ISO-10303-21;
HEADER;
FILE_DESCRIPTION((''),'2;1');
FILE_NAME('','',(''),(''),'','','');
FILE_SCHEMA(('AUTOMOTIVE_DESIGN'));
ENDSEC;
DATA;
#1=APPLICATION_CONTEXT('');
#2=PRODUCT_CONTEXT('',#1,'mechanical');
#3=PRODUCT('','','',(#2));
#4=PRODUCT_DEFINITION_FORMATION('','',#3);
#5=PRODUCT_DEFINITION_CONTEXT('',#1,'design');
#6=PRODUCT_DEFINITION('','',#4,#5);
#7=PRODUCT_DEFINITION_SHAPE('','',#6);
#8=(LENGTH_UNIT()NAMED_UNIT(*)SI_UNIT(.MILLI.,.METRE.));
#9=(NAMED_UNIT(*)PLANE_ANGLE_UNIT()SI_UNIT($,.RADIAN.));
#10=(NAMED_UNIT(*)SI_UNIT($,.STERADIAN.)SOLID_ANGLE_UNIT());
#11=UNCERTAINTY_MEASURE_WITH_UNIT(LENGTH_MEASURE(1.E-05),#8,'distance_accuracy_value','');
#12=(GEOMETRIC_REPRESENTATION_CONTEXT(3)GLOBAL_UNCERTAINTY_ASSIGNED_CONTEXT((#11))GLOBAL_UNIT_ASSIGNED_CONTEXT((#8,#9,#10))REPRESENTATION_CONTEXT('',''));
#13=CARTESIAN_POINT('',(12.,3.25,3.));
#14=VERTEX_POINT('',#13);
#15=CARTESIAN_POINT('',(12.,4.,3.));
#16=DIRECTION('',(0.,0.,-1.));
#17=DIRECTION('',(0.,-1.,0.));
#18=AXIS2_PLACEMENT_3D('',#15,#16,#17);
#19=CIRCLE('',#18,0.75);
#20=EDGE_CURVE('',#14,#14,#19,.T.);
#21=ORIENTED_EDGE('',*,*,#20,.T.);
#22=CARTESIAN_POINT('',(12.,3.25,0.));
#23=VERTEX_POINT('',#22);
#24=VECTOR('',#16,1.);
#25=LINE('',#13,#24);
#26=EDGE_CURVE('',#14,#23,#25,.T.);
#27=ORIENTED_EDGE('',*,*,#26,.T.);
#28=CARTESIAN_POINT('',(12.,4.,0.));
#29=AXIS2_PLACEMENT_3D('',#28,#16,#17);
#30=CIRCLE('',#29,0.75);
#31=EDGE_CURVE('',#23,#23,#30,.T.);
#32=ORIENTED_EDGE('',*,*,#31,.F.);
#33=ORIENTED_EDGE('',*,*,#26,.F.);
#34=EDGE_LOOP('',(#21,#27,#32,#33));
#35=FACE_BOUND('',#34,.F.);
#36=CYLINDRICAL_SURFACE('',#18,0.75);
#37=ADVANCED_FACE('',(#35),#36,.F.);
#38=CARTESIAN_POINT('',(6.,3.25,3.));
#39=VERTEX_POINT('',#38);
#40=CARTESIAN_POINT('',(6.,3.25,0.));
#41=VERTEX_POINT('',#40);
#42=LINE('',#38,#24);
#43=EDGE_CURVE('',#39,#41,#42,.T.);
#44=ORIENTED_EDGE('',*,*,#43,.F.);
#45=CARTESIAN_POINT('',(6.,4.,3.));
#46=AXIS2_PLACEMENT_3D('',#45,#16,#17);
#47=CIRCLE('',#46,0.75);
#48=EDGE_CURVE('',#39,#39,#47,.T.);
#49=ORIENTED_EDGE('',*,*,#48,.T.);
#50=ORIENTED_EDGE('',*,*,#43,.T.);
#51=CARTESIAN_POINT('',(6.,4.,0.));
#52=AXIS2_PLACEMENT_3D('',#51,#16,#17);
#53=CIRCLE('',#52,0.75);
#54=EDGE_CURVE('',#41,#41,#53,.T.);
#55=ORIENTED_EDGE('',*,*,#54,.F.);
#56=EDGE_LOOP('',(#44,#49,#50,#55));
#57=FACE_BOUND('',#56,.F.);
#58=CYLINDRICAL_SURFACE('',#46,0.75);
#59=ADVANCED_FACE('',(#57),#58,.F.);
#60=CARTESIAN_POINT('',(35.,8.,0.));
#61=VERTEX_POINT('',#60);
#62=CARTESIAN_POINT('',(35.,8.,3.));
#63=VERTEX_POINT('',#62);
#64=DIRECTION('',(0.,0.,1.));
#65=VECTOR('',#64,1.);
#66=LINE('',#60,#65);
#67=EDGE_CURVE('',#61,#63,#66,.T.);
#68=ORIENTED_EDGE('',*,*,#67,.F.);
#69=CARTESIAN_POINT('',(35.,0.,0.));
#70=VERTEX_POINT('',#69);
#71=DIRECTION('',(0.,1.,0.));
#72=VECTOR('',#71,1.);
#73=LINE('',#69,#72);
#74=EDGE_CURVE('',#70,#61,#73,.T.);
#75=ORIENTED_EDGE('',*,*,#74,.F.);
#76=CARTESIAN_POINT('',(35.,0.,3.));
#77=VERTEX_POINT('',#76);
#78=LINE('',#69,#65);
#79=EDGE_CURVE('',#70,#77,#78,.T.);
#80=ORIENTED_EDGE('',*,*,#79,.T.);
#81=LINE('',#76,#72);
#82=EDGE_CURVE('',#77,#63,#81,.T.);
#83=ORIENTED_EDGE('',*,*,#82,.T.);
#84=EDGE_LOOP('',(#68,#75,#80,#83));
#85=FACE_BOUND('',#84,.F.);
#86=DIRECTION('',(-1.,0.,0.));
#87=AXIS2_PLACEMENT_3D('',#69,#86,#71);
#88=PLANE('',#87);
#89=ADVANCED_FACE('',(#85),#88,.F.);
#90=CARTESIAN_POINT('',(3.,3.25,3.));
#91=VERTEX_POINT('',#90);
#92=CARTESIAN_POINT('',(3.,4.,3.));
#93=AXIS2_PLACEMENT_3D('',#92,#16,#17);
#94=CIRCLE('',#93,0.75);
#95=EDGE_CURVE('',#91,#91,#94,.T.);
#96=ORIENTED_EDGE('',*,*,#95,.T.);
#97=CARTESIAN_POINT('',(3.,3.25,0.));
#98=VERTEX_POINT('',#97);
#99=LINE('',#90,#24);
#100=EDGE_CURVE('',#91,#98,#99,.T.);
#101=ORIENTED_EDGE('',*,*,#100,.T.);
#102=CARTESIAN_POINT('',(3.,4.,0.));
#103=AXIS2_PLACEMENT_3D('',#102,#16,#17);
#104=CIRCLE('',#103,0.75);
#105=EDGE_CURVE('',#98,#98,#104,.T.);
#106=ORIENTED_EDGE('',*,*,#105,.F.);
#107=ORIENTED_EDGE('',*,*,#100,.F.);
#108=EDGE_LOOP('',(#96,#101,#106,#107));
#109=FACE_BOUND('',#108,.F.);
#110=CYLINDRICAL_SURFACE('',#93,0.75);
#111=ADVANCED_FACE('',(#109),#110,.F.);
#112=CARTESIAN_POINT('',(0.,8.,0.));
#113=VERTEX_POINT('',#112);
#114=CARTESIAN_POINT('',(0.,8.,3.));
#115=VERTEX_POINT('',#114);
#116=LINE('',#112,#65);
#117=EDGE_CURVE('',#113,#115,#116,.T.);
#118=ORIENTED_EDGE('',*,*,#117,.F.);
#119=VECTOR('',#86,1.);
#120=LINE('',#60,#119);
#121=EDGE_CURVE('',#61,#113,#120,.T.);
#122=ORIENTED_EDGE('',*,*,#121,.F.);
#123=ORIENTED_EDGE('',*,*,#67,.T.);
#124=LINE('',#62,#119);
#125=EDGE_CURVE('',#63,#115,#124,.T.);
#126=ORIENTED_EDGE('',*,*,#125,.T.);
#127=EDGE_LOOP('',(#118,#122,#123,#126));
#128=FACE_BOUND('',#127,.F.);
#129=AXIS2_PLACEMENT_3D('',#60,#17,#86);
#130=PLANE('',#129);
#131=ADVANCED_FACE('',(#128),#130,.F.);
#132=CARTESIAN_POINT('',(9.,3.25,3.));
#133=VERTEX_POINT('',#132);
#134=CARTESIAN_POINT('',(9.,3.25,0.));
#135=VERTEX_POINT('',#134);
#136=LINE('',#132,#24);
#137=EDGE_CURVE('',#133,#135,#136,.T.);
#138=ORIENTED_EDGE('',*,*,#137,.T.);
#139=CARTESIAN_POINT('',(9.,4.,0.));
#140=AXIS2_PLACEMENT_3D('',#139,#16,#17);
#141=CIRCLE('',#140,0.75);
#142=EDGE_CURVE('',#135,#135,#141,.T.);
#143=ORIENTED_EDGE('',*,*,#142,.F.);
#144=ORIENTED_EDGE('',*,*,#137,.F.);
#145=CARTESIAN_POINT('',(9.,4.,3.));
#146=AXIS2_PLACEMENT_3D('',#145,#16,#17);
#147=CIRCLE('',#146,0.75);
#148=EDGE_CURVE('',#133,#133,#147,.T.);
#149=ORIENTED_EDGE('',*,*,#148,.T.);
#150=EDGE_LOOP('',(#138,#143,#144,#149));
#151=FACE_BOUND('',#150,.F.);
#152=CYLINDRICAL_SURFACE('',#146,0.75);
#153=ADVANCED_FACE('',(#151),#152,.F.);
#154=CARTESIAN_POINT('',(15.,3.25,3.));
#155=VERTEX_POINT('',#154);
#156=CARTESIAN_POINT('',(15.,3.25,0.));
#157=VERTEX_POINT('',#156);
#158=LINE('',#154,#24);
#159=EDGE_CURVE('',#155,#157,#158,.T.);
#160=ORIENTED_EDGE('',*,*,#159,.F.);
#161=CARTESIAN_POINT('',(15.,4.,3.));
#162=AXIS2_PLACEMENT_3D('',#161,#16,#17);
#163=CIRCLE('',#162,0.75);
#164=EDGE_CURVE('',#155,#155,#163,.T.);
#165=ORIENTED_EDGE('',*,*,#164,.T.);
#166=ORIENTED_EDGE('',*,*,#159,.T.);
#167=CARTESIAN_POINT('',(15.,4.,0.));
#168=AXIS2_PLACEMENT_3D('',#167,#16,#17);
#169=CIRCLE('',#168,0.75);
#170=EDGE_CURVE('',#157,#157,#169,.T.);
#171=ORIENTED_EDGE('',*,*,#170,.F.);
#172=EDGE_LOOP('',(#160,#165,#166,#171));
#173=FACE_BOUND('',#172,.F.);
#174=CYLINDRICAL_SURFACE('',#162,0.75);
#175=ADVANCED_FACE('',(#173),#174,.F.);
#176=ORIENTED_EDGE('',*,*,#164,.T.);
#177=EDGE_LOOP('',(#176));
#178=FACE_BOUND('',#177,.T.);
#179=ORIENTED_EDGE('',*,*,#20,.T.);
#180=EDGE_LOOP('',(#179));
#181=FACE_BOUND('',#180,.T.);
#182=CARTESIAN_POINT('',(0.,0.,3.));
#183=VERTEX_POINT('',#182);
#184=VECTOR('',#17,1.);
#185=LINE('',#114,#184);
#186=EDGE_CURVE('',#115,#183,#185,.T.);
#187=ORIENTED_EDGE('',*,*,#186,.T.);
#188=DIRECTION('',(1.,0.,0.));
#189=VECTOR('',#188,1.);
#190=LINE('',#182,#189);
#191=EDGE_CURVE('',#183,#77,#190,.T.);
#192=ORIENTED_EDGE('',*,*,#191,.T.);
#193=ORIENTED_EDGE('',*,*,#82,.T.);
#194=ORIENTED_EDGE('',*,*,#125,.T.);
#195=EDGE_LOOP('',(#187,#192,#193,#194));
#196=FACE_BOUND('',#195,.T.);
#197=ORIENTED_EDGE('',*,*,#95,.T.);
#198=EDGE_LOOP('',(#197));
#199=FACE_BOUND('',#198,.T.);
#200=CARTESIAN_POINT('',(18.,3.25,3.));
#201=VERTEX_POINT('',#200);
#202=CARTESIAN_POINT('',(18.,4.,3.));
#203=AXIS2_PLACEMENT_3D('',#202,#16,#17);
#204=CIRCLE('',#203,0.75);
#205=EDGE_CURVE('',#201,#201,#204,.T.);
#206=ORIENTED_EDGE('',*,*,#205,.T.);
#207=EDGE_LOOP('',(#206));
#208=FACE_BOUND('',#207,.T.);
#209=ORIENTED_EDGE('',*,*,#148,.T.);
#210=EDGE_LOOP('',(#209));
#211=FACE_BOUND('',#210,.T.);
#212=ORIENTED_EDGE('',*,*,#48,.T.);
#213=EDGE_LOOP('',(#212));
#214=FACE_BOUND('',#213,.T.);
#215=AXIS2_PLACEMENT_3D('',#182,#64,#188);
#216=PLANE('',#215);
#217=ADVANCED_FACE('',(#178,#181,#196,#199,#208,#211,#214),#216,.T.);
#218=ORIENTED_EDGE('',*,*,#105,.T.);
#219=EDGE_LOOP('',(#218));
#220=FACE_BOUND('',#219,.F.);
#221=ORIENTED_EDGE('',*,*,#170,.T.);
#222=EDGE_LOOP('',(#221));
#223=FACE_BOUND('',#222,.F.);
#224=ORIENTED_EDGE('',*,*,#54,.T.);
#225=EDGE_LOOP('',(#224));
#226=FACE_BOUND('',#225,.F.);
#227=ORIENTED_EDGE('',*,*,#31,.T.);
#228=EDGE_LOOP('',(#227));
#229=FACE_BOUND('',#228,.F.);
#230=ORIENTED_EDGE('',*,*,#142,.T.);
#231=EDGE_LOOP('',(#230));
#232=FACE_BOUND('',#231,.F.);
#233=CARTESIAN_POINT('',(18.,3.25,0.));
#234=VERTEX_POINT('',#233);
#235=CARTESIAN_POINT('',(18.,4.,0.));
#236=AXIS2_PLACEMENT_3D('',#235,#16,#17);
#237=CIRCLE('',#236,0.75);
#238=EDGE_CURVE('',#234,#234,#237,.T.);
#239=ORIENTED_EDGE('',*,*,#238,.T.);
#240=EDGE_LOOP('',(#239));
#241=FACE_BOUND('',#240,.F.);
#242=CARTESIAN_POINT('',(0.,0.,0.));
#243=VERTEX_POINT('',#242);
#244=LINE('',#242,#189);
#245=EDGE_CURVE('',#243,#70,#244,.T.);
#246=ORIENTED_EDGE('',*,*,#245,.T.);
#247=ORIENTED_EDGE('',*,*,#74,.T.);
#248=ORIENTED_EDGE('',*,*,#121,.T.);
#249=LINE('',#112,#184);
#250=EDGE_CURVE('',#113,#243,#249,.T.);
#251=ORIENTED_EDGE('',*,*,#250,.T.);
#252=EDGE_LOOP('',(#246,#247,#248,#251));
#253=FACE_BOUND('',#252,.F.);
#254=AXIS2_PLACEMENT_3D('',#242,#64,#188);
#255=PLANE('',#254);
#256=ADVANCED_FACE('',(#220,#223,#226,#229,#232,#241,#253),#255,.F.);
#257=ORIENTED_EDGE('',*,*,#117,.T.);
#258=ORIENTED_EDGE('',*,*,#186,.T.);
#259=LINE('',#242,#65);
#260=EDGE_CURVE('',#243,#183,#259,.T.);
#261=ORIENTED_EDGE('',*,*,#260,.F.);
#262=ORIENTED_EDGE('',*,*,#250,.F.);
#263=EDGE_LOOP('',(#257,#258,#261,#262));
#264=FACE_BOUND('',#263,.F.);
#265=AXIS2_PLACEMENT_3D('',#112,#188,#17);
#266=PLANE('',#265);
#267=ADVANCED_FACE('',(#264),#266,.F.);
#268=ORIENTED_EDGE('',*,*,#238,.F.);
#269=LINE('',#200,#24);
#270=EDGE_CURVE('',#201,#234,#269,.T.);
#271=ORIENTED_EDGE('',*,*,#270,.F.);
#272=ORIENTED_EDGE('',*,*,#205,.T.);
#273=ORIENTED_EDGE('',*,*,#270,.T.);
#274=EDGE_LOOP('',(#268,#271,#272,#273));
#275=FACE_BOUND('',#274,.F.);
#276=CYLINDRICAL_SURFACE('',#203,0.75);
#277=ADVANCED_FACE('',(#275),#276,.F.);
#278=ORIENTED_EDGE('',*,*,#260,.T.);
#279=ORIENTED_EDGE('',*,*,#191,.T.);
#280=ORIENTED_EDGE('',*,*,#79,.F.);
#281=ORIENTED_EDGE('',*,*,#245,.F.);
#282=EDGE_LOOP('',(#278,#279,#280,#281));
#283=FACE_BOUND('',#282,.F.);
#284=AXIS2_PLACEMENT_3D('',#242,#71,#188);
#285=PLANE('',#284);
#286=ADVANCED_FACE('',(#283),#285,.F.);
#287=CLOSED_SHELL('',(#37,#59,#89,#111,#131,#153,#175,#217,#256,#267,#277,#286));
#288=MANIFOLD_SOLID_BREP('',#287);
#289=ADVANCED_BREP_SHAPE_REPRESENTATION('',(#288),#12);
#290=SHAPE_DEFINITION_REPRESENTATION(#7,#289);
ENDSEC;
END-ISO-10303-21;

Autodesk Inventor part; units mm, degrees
ref_plane "YZ Plane" through (0, 0, 0) normal (1, 0, 0) x (0, 1, 0)
ref_plane "XZ Plane" through (0, 0, 0) normal (0, 1, 0) x (-1, 0, 0)
ref_plane "XY Plane" through (0, 0, 0) normal (0, 0, 1) x (1, 0, 0)
sketch "Sketch1" plane through (0, 0, 0) normal (0, 0, 1) x (1, 0, 0)
  line L0 (0, 0) -> (35, 0)
  line L1 (35, 0) -> (35, 8)
  line L2 (35, 8) -> (0, 8)
  line L3 (0, 8) -> (0, 0)
  dimension "d0" = 35
  dimension "d1" = 8
extrude "Extrusion1" add sketch "Sketch1" along normal blind 3
sketch "Sketch2" plane through (0, 0, 3) normal (0, 0, 1) x (1, 0, 0)
  line L0 (0, 8) -> (0, 0) projected
  line L1 (35, 8) -> (0, 8) projected
  point P0 (3, 4)
  point P1 (6, 4)
  point P2 (9, 4)
  point P3 (12, 4)
  point P4 (15, 4)
  point P5 (18, 4)
  dimension "d4" = 3
  dimension "d5" = 3
  dimension "d6" = 3
  dimension "d7" = 3
  dimension "d8" = 3
  dimension "d9" = 3
  dimension "d10" = 4
hole "Hole1" at (3, 4, 3) at (6, 4, 3) at (9, 4, 3) at (12, 4, 3) at (15, 4, 3) at (18, 4, 3) direction (0, 0, -1) diameter 1.5 end through all
properties part number "arm"
